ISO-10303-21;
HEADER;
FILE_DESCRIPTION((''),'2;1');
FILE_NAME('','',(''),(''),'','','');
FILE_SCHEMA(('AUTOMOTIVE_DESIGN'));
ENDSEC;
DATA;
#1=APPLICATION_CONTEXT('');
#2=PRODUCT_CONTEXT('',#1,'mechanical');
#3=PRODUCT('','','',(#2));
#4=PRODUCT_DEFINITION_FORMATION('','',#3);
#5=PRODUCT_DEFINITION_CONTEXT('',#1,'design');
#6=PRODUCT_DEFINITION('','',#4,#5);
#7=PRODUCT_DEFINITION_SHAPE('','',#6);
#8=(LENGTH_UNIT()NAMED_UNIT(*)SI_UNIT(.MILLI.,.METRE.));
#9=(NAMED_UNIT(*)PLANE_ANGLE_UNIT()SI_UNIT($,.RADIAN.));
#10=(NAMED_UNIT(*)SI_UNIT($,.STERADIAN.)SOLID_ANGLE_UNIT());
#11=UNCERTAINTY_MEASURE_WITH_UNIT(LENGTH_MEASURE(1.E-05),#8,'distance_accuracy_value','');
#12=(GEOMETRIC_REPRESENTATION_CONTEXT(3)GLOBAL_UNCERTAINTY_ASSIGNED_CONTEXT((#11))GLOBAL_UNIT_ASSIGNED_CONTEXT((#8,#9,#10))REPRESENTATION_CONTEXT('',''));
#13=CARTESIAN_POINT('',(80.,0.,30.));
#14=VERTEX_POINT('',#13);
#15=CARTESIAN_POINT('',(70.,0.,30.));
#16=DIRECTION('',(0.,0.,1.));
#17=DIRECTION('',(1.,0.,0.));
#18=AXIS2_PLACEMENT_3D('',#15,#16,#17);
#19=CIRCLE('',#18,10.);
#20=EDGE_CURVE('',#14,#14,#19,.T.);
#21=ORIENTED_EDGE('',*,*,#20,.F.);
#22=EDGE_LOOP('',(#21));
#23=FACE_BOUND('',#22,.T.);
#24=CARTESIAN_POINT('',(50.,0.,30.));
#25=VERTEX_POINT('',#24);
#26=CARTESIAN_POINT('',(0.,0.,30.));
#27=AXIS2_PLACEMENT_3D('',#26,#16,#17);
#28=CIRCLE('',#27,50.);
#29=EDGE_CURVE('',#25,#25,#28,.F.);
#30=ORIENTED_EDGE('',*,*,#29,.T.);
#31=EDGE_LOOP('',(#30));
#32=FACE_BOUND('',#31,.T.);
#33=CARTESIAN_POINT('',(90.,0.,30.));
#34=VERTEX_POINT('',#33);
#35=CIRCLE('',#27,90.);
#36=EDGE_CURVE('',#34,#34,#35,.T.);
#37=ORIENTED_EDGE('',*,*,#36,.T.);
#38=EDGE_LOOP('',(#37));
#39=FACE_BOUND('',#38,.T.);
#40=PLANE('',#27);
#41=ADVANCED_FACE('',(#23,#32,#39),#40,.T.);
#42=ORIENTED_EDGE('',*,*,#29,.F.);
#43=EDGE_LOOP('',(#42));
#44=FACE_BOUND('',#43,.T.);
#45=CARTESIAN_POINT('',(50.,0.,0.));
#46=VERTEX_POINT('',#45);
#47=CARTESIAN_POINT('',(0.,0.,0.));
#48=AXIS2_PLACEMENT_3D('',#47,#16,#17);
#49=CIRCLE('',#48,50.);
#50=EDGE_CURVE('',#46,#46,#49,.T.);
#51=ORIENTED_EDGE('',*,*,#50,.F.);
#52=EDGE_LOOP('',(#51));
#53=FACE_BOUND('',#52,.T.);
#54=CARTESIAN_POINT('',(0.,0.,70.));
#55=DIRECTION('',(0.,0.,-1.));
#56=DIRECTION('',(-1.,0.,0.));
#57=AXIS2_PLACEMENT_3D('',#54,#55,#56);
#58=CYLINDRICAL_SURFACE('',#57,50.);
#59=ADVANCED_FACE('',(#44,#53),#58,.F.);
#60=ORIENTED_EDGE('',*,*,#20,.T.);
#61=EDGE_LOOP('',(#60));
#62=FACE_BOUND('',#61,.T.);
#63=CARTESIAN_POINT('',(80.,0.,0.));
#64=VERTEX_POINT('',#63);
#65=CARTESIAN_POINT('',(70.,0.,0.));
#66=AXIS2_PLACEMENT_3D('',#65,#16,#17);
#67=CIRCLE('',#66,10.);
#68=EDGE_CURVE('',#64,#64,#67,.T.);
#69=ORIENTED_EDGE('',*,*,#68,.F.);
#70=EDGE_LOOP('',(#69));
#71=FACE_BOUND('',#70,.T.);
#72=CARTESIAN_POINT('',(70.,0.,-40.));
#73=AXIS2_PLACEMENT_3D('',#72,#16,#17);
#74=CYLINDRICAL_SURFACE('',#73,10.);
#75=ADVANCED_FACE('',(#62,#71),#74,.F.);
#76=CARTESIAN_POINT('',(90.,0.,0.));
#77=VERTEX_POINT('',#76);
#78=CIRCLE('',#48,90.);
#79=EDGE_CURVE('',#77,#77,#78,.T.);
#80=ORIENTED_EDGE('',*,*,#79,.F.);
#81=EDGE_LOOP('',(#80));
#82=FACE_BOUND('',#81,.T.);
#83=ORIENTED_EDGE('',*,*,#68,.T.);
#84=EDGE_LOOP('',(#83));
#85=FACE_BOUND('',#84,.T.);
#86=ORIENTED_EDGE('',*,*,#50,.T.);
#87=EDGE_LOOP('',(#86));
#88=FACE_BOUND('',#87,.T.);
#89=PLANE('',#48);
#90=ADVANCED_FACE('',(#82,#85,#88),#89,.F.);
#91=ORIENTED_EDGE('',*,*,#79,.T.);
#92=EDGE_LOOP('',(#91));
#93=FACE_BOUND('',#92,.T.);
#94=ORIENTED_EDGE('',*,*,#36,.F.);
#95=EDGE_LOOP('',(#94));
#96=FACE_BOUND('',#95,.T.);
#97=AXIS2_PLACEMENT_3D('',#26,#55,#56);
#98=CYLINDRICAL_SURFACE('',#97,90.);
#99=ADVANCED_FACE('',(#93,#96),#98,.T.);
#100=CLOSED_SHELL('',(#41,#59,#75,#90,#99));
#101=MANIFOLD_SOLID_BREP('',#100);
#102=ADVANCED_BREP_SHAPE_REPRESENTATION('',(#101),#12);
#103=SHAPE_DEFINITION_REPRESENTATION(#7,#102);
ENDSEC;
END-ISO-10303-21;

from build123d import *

# Parameters (mm, degrees)
SKETCH1_R           = 90
BOSS_EXTRUDE1_DEPTH = 30
SKETCH2_R           = 50
CUT_EXTRUDE1_DEPTH  = 70
SKETCH3_R           = 10
CUT_EXTRUDE2_DEPTH  = 70


with BuildPart() as part:
    # Sketch1 → Boss-Extrude1 (new body)
    with BuildSketch(Plane.XY):
        Circle(SKETCH1_R)
    extrude(amount=BOSS_EXTRUDE1_DEPTH)

    # Sketch2 → Cut-Extrude1 (cut)
    with BuildSketch(Plane.XY):
        Circle(SKETCH2_R)
    extrude(amount=CUT_EXTRUDE1_DEPTH, mode=Mode.SUBTRACT)

    # Sketch3 → Cut-Extrude2 (cut)
    with BuildSketch(Plane.XY.offset(30)):
        with Locations((70, 0)):
            Circle(SKETCH3_R)
    extrude(amount=-CUT_EXTRUDE2_DEPTH, mode=Mode.SUBTRACT)


solid = part.part
